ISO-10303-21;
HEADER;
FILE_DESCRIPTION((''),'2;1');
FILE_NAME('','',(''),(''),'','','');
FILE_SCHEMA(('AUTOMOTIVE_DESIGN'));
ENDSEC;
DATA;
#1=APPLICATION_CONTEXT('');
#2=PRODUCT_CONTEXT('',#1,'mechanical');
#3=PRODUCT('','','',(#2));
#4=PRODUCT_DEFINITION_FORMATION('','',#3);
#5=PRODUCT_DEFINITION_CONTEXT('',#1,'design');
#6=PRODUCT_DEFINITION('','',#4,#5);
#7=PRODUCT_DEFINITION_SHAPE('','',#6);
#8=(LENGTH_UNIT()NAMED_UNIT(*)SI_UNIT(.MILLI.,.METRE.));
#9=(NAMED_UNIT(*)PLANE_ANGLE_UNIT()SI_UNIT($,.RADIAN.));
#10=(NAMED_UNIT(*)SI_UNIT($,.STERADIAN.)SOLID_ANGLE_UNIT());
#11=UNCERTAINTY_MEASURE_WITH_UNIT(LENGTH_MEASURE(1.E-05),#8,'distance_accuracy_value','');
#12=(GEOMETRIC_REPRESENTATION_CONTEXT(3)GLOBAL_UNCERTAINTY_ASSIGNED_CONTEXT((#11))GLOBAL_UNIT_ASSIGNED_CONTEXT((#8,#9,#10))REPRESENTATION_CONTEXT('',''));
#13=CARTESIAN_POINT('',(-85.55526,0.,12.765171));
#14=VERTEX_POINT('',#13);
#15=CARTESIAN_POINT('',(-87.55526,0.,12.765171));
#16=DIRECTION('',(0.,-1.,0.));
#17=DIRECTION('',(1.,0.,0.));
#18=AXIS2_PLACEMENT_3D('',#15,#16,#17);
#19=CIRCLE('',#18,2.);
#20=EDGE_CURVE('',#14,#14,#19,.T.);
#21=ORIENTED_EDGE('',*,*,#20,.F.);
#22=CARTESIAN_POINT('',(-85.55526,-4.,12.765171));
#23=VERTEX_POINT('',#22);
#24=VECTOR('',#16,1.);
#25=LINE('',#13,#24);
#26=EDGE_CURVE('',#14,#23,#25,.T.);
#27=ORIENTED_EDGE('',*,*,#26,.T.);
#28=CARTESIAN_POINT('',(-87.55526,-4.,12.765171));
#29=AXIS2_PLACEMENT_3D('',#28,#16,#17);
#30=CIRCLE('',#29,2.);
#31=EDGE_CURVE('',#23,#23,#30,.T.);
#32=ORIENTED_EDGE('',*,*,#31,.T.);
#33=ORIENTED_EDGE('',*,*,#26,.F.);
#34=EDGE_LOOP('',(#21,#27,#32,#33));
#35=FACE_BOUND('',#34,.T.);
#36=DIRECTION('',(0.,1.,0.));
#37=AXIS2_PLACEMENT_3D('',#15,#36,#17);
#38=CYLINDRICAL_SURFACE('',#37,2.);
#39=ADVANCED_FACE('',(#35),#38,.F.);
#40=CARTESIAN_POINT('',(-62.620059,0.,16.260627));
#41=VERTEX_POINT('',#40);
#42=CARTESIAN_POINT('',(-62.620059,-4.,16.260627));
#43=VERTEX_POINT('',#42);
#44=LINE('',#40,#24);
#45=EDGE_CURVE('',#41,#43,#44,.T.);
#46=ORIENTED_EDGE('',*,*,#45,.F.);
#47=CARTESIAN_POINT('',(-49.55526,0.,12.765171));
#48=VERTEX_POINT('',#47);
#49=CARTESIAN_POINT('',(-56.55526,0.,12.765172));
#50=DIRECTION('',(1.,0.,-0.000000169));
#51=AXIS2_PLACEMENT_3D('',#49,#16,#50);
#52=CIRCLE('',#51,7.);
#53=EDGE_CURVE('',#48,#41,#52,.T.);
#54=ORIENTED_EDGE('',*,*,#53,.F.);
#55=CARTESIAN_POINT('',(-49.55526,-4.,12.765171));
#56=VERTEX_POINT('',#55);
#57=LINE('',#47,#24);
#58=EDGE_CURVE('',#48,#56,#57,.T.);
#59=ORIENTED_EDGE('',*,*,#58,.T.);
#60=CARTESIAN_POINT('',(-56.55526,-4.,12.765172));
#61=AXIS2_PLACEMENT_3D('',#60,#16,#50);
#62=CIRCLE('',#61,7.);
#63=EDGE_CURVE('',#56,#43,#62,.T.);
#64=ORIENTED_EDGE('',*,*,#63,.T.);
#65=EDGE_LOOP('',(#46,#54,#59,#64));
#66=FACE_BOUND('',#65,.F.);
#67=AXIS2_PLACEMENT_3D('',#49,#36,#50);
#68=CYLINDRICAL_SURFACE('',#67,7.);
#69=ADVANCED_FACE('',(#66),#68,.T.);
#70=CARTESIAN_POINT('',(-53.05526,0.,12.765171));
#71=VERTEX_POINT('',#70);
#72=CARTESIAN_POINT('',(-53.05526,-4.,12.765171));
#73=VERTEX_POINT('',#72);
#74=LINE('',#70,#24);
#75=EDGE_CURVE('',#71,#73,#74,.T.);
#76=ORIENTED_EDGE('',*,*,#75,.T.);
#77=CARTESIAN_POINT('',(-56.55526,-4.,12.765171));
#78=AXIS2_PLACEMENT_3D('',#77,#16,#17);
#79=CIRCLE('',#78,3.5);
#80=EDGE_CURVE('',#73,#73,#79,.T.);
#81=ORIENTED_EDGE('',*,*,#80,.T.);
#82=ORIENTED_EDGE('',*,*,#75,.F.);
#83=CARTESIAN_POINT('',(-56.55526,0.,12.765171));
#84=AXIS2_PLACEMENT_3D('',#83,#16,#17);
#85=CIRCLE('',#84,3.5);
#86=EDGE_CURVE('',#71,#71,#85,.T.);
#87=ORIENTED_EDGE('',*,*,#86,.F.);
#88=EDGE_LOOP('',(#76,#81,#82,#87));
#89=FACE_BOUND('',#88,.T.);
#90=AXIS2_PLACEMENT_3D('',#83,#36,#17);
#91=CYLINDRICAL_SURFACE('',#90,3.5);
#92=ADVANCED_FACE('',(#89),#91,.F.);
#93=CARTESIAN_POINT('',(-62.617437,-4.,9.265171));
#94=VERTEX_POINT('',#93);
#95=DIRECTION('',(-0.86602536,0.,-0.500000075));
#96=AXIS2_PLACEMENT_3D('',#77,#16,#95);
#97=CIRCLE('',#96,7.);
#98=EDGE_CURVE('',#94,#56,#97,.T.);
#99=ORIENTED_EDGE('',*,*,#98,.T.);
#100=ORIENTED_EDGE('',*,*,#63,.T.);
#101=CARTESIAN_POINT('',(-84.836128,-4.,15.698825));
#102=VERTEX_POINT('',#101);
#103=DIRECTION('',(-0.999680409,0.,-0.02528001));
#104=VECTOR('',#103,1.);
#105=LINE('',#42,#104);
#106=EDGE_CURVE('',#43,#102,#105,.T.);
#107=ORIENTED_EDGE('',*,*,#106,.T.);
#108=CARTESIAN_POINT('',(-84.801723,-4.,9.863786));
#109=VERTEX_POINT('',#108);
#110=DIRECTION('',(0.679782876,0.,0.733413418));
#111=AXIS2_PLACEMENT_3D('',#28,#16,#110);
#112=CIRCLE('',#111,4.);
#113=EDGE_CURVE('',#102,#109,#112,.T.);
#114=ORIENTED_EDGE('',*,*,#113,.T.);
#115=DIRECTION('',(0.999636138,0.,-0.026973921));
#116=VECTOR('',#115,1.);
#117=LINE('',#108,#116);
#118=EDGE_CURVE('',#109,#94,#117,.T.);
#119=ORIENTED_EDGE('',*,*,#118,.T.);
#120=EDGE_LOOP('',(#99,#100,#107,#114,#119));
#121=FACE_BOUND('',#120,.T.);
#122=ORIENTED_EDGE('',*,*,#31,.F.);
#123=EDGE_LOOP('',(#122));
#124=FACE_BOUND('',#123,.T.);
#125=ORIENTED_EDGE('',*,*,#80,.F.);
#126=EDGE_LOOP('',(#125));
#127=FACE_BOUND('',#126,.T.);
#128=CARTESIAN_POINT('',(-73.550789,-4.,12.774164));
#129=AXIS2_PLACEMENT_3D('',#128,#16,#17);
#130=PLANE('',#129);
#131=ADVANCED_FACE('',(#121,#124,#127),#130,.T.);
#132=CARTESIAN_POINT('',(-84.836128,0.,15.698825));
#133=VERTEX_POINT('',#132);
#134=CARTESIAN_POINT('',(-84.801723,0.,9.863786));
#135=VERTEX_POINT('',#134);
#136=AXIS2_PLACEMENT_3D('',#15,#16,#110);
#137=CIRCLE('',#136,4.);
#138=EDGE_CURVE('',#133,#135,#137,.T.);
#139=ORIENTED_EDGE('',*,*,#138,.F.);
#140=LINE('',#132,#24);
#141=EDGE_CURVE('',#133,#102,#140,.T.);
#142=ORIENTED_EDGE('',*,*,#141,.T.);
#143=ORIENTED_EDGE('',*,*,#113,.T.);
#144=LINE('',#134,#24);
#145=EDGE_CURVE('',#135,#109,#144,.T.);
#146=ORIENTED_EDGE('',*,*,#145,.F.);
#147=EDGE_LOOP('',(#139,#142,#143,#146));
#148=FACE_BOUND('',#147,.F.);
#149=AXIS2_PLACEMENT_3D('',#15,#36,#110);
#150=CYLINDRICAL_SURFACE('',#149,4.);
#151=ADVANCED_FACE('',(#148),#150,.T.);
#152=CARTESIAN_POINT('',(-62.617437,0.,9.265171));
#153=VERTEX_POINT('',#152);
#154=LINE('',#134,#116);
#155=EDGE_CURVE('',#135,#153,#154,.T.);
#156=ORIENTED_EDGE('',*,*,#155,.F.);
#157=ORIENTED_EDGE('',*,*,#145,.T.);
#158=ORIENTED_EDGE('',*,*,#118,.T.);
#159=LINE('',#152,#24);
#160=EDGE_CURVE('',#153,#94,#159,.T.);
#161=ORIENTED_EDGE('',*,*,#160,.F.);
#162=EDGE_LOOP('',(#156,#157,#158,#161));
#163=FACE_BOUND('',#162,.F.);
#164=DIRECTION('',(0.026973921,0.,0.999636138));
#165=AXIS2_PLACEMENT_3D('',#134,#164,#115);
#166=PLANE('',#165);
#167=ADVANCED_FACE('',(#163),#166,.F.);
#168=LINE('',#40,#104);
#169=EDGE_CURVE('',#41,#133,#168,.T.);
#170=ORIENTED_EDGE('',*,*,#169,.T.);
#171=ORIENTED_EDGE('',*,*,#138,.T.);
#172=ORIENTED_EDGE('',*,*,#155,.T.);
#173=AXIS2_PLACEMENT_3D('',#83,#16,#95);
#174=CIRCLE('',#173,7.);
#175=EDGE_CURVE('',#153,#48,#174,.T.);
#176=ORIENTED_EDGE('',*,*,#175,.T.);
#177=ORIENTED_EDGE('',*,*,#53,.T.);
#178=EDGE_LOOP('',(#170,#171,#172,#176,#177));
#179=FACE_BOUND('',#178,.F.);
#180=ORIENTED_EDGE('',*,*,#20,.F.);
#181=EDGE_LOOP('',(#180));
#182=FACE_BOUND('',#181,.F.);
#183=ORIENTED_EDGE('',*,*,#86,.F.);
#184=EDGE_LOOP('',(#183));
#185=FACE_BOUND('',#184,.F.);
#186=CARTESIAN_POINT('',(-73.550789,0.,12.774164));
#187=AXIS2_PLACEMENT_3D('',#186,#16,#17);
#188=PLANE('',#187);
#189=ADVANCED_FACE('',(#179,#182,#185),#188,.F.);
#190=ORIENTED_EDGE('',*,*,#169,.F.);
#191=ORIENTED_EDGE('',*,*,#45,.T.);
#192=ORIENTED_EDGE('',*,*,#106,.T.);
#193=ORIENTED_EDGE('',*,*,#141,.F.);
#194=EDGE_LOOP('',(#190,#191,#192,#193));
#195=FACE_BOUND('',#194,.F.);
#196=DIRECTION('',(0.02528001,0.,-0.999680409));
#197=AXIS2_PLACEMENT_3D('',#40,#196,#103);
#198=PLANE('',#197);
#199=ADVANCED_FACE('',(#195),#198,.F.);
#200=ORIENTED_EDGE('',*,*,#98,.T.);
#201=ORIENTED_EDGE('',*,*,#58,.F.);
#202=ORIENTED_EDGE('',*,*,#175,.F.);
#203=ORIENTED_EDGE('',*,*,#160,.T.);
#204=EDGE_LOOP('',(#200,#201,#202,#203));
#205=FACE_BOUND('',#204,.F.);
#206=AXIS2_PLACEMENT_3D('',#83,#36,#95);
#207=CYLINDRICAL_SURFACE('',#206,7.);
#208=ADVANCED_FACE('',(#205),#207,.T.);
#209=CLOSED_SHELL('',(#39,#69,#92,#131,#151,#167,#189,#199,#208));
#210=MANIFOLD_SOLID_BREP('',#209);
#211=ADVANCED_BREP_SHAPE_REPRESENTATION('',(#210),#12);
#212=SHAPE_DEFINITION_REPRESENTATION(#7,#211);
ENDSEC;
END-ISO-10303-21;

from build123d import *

# Parameters (mm, degrees)
F0_R     = 2
F0_R_2   = 3.5
F1_DEPTH = 4


with BuildPart() as f1:
    # F0 (on Front) → F1 (new body)
    with BuildSketch(Plane.XZ):
        with BuildLine():
            ThreePointArc((-62.617437, 9.265171), (-63.555259, 12.762549), (-62.620059, 16.260627))
            Line((-62.620059, 16.260627), (-84.836128, 15.698825))
            ThreePointArc((-84.836128, 15.698825), (-83.889436, 14.365714), (-83.55526, 12.765171))
            ThreePointArc((-83.55526, 12.765171), (-83.880063, 11.186271), (-84.801723, 9.863786))
            Line((-84.801723, 9.863786), (-62.617437, 9.265171))
        make_face()
        with BuildLine():
            ThreePointArc((-83.55526, 12.765171), (-83.889436, 14.365714), (-84.836128, 15.698825))
            ThreePointArc((-84.836128, 15.698825), (-91.55519, 12.741587), (-84.801723, 9.863786))
            ThreePointArc((-84.801723, 9.863786), (-83.880063, 11.186271), (-83.55526, 12.765171))
        make_face()
        with Locations((-87.55526, 12.765171)):
            Circle(F0_R, mode=Mode.SUBTRACT)
        with BuildLine():
            ThreePointArc((-62.617437, 9.265171), (-54.743526, 6.003691), (-49.55526, 12.765171))
            ThreePointArc((-49.55526, 12.765171), (-54.74606, 19.527331), (-62.620059, 16.260627))
            ThreePointArc((-62.620059, 16.260627), (-63.555259, 12.762549), (-62.617437, 9.265171))
        make_face()
        with Locations((-56.55526, 12.765171)):
            Circle(F0_R_2, mode=Mode.SUBTRACT)
    extrude(amount=F1_DEPTH)


solid = f1.part
